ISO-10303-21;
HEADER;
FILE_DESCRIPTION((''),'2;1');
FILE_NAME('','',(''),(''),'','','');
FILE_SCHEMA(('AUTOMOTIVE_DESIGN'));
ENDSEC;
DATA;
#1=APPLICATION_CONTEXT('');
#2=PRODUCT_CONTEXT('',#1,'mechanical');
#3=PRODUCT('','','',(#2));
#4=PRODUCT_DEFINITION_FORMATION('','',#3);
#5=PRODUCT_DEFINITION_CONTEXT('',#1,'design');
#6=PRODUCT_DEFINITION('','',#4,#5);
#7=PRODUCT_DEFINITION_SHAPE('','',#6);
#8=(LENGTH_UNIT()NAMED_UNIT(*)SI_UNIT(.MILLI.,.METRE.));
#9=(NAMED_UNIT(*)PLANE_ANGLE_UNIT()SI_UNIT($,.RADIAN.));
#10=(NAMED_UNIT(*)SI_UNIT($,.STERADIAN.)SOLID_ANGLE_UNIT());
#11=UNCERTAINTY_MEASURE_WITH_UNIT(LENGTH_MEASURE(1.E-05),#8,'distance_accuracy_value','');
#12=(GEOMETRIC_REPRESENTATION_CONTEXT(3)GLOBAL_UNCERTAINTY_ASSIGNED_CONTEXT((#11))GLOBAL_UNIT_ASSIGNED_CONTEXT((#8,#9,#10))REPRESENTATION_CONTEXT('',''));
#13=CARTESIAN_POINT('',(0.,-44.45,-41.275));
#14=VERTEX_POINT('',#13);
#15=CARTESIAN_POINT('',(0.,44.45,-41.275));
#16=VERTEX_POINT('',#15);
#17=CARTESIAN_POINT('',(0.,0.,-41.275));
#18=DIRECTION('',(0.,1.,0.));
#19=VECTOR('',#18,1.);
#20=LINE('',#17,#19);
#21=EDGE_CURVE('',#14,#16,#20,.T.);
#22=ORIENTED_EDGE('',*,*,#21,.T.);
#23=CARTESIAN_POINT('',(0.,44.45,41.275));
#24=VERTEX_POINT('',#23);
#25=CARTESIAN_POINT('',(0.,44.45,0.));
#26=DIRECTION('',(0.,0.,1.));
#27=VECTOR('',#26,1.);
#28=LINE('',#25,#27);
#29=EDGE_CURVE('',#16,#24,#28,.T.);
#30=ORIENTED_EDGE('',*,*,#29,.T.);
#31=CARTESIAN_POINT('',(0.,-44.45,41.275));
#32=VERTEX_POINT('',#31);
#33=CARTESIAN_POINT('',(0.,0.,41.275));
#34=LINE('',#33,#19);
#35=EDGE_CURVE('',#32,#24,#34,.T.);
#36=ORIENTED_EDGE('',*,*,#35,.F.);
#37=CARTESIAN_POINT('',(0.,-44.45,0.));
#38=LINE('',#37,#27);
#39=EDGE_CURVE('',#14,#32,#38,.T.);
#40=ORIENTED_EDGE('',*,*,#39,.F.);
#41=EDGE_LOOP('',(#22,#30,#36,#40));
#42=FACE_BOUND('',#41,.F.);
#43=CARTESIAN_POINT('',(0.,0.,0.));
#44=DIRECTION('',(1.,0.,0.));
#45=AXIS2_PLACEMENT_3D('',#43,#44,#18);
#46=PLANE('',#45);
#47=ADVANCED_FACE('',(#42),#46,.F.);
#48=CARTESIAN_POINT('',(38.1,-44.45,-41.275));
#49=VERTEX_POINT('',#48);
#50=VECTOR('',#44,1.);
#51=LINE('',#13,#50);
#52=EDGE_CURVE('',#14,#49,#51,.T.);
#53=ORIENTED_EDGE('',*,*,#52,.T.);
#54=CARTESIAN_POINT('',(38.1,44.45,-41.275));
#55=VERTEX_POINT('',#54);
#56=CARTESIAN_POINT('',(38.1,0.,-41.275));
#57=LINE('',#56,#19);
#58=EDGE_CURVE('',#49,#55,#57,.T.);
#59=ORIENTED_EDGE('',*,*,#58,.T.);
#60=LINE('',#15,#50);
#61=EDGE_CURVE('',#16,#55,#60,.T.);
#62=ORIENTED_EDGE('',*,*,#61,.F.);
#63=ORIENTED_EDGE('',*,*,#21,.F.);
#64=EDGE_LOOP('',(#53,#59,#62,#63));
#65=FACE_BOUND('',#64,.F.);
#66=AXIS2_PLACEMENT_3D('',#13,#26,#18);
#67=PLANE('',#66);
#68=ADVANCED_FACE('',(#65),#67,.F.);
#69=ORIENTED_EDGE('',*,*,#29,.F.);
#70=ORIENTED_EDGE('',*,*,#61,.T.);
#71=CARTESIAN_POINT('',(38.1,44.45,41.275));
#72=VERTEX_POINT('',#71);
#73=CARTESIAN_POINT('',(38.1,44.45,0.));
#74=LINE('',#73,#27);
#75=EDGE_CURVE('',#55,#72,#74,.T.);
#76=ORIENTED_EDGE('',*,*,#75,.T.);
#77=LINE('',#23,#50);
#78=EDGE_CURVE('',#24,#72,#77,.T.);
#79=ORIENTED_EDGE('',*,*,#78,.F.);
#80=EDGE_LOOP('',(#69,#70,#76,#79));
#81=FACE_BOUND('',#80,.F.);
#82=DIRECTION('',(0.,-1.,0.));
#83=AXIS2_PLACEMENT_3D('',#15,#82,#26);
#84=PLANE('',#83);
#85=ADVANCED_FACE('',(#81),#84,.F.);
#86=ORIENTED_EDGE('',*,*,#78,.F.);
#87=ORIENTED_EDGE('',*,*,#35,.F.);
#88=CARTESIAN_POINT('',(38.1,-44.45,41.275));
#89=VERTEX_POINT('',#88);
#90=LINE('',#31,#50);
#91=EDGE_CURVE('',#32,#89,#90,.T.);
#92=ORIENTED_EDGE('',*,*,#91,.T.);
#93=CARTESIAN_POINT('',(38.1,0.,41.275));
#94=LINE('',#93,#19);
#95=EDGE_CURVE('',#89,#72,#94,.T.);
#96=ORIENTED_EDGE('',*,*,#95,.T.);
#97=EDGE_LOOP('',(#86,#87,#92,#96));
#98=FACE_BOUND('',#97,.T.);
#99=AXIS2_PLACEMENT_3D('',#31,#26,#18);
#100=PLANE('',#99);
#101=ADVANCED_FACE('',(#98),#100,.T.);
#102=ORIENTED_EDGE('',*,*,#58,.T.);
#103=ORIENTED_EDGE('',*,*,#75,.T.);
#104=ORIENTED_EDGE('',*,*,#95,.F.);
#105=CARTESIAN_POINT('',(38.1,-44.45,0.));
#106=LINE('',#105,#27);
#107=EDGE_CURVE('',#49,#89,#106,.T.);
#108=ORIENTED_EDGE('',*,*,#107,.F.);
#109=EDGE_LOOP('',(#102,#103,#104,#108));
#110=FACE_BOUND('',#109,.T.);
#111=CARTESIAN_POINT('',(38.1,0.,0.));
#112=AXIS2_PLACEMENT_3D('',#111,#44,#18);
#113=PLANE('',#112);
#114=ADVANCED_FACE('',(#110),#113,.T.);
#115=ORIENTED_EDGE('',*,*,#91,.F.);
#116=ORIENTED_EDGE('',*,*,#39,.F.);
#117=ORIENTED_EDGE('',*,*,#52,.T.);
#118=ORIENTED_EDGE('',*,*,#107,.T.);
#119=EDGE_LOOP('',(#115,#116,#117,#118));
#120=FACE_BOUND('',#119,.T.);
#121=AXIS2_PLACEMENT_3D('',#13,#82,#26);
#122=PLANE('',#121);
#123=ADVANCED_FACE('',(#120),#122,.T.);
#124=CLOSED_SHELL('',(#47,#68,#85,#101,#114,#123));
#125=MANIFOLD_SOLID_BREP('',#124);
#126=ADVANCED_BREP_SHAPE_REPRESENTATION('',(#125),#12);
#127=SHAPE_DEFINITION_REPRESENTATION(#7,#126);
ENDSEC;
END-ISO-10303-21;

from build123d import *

# Parameters (mm, degrees)
F0_W     = 88.9
F0_H     = 38.1
F1_DEPTH = 82.55
F5_W     = 88.9
F5_H     = 82.55
F6_DEPTH = 38.1


with BuildPart() as f1:
    # F0 (on Top) → F1 (new body)
    with BuildSketch(Plane.XY):
        Rectangle(F0_W, F0_H)
    extrude(amount=F1_DEPTH)


with BuildPart() as f2_1:
    # F2: copy of F1
    add(f1.part)


with BuildPart() as f6:
    # F5 (on Right) → F6 (new body)
    with BuildSketch(Plane.YZ):
        Rectangle(F5_W, F5_H)
    extrude(amount=F6_DEPTH)


solid = f6.part
